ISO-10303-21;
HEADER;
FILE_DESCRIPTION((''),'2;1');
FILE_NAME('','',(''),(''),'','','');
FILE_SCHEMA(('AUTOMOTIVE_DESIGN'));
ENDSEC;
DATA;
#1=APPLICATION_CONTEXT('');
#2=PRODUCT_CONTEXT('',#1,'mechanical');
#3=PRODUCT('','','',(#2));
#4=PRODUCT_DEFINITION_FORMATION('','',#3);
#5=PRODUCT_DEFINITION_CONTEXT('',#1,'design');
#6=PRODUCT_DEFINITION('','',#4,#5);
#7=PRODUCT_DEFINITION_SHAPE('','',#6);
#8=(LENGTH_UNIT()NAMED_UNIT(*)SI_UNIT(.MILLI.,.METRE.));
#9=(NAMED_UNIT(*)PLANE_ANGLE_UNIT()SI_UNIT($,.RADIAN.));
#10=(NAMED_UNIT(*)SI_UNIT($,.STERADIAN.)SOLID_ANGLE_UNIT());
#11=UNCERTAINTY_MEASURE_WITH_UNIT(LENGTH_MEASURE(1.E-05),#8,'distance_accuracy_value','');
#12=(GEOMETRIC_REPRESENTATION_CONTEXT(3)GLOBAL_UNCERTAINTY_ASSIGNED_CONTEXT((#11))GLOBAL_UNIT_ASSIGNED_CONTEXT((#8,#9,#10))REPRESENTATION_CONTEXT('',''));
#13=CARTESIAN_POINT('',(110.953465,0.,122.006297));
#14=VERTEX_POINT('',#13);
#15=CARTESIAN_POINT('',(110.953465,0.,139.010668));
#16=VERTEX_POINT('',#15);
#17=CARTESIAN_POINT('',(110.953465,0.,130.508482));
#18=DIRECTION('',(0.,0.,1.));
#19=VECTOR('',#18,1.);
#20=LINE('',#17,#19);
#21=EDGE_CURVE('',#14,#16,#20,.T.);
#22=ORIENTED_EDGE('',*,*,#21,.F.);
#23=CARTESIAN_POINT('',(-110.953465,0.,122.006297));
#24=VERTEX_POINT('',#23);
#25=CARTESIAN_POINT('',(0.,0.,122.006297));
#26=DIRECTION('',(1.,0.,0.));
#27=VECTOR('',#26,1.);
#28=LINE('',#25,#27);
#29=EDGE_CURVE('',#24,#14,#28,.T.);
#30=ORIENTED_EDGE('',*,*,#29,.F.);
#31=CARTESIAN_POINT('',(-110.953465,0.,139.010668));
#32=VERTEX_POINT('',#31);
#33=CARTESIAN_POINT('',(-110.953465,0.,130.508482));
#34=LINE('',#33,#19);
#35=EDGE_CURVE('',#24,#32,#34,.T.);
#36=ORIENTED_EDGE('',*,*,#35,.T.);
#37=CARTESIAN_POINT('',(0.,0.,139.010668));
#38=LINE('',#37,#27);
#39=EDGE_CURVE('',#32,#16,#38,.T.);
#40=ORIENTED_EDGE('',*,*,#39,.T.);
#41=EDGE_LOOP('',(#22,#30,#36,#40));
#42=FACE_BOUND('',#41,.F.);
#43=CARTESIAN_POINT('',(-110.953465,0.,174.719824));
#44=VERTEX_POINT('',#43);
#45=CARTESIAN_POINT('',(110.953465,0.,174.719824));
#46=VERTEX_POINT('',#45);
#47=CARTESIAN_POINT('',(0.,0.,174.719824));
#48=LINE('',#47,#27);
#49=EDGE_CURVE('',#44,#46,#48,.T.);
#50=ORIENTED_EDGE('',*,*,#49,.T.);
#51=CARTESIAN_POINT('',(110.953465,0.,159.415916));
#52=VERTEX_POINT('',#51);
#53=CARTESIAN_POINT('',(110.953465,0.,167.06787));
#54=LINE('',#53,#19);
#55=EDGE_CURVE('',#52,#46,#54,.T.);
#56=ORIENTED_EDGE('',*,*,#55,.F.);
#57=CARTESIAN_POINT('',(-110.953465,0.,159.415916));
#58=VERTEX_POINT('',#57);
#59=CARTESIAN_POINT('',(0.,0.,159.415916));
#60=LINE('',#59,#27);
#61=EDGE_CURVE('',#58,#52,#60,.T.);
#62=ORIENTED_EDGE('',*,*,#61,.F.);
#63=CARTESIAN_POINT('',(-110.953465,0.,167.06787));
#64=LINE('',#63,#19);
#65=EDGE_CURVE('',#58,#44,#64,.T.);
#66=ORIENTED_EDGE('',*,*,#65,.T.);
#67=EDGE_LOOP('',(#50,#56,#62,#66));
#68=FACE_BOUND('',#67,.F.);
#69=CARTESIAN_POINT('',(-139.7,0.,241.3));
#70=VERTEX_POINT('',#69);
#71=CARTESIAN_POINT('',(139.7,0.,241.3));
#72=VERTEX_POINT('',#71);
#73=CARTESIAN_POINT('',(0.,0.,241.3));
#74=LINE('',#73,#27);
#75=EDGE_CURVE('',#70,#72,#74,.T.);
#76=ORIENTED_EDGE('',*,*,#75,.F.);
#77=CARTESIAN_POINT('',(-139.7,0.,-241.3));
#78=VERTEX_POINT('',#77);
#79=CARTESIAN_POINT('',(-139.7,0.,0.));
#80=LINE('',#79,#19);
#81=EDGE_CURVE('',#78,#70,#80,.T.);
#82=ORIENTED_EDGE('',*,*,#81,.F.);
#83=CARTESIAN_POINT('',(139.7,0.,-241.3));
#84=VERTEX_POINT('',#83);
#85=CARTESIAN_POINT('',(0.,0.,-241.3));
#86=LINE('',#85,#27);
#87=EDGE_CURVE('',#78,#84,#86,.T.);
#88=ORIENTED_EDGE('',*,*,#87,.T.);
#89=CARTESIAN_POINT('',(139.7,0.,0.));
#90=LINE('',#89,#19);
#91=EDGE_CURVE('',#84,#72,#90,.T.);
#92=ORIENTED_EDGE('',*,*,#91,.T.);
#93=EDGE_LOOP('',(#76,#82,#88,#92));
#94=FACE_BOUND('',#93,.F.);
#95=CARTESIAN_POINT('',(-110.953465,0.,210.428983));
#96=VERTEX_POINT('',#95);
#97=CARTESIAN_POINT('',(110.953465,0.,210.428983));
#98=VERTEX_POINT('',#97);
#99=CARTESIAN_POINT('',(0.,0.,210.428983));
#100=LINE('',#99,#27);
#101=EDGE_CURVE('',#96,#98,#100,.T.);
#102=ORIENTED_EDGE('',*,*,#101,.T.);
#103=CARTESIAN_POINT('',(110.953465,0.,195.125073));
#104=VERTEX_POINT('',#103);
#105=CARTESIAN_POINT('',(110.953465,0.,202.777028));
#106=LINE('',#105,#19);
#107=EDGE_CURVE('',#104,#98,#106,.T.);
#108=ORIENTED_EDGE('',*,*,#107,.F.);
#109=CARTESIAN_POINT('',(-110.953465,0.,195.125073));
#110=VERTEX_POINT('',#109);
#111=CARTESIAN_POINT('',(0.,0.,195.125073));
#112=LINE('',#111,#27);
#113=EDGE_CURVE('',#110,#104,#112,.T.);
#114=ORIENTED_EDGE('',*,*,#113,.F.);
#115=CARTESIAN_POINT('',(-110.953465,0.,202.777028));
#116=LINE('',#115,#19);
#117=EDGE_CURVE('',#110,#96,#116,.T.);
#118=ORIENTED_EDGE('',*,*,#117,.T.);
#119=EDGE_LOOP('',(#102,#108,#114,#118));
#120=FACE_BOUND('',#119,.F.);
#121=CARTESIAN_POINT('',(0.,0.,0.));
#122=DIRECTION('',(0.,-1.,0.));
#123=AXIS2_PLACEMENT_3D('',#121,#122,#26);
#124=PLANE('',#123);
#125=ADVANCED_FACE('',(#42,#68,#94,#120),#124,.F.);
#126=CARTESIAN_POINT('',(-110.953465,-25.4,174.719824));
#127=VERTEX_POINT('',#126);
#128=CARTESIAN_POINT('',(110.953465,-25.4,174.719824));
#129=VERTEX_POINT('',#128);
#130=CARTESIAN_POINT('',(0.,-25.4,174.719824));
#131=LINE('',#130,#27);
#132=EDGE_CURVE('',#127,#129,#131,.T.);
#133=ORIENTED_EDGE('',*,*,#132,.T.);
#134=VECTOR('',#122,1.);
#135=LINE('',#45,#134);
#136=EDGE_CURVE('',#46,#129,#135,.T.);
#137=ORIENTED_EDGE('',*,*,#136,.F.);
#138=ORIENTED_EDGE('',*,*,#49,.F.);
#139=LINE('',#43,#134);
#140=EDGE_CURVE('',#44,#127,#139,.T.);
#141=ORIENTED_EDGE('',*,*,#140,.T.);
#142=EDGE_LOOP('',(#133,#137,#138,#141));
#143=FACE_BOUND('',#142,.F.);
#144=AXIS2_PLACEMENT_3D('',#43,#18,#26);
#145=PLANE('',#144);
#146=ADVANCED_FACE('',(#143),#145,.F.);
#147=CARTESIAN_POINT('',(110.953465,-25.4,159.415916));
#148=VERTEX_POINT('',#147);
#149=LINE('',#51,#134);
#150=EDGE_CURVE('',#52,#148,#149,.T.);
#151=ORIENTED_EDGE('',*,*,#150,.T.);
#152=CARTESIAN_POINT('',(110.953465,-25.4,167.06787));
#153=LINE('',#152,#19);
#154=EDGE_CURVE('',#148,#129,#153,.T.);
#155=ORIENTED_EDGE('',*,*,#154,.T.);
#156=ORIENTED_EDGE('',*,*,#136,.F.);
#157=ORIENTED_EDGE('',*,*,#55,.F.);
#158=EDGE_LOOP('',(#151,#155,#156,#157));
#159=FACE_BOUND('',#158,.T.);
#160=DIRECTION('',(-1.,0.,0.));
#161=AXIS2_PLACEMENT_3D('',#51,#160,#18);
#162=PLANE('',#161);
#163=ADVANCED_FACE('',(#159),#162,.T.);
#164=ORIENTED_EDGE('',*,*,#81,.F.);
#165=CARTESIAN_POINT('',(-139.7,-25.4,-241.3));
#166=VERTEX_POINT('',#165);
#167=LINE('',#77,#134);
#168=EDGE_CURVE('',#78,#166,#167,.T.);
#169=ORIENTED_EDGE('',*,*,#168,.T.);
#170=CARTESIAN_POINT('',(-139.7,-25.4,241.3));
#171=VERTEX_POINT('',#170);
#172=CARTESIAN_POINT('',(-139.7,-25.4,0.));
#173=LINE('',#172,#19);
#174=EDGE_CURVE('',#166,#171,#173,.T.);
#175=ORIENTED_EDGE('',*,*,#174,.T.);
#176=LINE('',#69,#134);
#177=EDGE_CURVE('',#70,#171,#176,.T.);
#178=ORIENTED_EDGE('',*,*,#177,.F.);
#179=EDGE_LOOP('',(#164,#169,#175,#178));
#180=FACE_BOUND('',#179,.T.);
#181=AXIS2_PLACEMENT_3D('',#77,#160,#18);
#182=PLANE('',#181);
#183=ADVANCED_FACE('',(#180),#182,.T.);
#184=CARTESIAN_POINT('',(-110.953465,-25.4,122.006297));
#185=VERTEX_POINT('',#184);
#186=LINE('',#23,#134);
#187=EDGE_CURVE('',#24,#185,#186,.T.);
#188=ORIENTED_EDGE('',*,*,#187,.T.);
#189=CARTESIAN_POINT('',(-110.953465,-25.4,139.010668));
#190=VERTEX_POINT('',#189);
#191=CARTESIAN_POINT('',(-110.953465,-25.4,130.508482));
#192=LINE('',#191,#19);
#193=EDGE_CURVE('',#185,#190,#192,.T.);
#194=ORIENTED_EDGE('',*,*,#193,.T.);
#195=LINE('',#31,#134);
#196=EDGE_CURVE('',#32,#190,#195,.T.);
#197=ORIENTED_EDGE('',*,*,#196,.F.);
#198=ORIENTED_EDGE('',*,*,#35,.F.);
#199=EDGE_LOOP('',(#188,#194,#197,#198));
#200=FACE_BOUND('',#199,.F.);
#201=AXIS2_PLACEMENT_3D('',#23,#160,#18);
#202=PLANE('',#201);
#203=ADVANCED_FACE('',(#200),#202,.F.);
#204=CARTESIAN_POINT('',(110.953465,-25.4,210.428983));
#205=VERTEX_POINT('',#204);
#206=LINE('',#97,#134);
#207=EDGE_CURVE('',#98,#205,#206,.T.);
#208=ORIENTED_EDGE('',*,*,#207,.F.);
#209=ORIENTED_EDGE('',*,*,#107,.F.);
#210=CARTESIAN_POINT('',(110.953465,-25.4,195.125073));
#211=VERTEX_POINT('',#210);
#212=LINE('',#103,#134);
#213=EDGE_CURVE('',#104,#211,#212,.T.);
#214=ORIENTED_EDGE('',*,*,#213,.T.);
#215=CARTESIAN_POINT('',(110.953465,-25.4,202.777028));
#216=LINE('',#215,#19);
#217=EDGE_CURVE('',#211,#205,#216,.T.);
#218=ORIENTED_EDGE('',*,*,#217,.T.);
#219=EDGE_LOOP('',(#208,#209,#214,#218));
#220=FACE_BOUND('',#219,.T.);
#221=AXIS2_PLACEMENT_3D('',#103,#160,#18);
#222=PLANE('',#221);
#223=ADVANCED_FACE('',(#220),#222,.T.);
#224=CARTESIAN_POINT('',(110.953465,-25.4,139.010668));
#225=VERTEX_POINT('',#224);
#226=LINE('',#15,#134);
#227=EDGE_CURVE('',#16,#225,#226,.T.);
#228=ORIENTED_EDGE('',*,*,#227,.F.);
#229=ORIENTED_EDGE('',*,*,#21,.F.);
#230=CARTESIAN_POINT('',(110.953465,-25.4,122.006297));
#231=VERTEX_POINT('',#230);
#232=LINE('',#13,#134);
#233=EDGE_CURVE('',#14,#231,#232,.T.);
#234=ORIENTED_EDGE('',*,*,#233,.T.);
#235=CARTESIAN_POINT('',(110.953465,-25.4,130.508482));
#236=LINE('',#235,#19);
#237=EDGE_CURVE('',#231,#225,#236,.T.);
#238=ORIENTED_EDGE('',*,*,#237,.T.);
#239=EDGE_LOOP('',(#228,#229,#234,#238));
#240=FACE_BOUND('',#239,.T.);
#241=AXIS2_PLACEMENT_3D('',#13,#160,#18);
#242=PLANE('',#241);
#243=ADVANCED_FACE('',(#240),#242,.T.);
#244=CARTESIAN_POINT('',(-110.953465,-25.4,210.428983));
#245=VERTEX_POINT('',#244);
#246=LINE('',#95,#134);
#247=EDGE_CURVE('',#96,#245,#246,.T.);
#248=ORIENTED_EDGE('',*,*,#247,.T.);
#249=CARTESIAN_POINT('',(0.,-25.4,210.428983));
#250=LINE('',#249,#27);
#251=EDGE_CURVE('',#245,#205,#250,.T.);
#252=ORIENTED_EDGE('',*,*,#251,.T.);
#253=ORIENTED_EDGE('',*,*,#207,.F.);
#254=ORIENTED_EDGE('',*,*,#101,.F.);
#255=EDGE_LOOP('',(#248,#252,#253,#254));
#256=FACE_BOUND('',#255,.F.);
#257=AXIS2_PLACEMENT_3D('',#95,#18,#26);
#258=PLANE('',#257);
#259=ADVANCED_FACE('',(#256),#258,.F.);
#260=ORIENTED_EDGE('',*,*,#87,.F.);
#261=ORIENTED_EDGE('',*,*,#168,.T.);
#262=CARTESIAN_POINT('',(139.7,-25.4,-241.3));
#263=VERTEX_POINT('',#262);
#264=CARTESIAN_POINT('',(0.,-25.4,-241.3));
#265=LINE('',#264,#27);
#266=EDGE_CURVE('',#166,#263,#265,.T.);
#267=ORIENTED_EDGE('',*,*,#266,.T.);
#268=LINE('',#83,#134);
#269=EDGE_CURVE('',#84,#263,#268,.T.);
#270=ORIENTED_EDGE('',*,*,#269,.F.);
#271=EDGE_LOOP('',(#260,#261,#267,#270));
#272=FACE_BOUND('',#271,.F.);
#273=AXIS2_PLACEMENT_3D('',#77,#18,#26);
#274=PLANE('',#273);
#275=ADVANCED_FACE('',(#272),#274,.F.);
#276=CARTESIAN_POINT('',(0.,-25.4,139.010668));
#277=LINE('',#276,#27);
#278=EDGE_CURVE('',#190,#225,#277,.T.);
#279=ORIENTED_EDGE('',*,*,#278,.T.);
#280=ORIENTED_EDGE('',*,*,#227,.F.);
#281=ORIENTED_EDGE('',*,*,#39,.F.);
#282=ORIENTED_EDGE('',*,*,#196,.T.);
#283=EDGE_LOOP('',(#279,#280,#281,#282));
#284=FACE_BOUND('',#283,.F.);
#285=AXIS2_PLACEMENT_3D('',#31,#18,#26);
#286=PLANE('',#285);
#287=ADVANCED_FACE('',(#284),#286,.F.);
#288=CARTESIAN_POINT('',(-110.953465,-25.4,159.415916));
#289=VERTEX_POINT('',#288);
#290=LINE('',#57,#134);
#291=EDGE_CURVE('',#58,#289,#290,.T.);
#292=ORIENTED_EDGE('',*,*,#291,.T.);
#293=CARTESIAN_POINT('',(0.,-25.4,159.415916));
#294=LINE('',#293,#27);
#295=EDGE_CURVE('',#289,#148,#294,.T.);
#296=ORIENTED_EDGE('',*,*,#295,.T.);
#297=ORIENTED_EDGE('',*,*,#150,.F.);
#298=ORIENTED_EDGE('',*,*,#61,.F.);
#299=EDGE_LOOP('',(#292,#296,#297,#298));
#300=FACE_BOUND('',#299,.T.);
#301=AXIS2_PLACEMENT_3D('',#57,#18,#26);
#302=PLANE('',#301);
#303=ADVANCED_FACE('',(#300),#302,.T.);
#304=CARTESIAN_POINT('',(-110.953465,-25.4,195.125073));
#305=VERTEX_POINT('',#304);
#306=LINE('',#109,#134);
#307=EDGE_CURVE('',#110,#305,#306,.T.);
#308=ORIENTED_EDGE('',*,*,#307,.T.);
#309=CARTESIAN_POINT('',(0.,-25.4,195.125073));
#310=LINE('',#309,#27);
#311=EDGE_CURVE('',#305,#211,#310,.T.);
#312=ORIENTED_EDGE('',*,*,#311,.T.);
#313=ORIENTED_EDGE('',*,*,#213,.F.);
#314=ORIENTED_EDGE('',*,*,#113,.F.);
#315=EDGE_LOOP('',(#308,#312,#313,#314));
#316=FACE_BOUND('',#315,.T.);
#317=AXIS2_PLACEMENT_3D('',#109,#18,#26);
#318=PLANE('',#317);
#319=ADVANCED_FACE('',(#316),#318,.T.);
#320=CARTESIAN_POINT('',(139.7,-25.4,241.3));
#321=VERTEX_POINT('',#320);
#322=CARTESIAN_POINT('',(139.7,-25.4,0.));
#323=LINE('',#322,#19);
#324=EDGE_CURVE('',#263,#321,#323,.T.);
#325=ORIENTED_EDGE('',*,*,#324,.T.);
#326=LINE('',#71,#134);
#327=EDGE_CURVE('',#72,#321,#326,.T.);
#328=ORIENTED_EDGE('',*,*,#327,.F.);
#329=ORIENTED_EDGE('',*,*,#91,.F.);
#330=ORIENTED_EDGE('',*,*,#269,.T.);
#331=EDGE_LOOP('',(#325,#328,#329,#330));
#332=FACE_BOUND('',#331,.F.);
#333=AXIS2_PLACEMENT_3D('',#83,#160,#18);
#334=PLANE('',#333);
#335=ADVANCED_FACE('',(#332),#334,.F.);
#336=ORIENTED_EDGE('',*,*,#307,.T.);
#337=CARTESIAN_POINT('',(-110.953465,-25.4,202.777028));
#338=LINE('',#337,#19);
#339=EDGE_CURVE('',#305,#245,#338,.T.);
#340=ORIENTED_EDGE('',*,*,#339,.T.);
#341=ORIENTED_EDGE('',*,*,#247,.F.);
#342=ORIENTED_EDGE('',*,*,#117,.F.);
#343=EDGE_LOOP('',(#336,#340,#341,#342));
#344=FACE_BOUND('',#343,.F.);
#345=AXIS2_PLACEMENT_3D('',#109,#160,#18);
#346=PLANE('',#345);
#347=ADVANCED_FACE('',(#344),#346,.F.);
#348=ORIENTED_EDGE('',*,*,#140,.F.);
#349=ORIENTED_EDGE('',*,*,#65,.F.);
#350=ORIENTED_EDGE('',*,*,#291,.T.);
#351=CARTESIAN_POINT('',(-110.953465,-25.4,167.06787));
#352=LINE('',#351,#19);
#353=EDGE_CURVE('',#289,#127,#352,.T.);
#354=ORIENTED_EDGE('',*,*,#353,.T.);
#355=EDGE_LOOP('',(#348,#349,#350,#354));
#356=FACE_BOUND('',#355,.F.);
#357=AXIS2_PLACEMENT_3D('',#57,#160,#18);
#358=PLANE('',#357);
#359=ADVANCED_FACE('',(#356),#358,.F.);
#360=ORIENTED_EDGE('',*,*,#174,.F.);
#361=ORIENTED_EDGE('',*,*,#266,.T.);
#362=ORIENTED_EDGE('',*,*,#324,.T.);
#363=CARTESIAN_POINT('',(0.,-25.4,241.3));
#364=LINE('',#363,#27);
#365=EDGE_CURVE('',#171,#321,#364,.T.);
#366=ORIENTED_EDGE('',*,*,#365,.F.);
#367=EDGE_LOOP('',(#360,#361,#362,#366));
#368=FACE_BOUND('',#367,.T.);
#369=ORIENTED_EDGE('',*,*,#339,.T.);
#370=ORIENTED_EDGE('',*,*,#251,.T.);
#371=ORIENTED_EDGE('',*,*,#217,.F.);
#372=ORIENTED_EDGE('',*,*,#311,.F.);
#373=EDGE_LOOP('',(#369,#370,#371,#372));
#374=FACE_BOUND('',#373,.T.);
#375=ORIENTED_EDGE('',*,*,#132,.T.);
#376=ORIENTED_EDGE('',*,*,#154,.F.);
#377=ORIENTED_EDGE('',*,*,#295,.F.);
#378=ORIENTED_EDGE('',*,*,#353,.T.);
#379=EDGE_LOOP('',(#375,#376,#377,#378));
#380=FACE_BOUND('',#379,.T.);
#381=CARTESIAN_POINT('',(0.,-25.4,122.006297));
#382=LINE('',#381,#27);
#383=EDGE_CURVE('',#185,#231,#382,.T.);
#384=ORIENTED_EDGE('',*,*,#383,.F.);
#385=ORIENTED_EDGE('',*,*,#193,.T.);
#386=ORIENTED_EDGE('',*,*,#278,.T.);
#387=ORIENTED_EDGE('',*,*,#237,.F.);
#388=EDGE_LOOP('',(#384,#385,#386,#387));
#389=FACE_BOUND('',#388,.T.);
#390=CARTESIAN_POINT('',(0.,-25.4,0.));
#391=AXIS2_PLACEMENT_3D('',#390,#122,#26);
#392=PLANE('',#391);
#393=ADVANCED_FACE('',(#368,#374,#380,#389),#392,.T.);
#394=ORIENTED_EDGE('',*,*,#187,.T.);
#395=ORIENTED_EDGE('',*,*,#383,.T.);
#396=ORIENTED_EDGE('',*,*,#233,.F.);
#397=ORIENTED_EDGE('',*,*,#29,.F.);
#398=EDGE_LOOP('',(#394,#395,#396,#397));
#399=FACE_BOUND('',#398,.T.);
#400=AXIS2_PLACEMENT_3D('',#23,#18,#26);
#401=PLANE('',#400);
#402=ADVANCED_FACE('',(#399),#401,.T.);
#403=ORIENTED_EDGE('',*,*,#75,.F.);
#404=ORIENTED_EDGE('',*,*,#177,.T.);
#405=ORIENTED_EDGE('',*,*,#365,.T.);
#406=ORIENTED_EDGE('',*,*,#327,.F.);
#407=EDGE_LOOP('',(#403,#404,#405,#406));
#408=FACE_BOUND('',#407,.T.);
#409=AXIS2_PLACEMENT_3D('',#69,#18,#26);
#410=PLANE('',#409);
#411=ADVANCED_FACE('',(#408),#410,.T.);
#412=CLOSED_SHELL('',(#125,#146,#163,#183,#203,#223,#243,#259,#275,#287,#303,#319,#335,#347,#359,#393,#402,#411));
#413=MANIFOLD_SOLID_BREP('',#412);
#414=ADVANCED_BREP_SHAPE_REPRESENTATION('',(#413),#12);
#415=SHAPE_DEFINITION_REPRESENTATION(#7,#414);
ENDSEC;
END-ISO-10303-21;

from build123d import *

# Parameters (mm, degrees)
F1_W     = 279.4
F1_H     = 482.6
F1_W_2   = 221.90693
F1_H_2   = 17.004371
F1_H_3   = 15.303909
F1_H_4   = 15.30391
F2_DEPTH = 25.4


with BuildPart() as f2:
    # F1 (on face) → F2 (new body)
    with BuildSketch(Plane.XZ):
        Rectangle(F1_W, F1_H)
        with Locations((0, 130.508482)):
            Rectangle(F1_W_2, F1_H_2, mode=Mode.SUBTRACT)
        with Locations((0, 167.06787)):
            Rectangle(F1_W_2, F1_H_3, mode=Mode.SUBTRACT)
        with Locations((0, 202.777028)):
            Rectangle(F1_W_2, F1_H_4, mode=Mode.SUBTRACT)
    extrude(amount=F2_DEPTH)


solid = f2.part
